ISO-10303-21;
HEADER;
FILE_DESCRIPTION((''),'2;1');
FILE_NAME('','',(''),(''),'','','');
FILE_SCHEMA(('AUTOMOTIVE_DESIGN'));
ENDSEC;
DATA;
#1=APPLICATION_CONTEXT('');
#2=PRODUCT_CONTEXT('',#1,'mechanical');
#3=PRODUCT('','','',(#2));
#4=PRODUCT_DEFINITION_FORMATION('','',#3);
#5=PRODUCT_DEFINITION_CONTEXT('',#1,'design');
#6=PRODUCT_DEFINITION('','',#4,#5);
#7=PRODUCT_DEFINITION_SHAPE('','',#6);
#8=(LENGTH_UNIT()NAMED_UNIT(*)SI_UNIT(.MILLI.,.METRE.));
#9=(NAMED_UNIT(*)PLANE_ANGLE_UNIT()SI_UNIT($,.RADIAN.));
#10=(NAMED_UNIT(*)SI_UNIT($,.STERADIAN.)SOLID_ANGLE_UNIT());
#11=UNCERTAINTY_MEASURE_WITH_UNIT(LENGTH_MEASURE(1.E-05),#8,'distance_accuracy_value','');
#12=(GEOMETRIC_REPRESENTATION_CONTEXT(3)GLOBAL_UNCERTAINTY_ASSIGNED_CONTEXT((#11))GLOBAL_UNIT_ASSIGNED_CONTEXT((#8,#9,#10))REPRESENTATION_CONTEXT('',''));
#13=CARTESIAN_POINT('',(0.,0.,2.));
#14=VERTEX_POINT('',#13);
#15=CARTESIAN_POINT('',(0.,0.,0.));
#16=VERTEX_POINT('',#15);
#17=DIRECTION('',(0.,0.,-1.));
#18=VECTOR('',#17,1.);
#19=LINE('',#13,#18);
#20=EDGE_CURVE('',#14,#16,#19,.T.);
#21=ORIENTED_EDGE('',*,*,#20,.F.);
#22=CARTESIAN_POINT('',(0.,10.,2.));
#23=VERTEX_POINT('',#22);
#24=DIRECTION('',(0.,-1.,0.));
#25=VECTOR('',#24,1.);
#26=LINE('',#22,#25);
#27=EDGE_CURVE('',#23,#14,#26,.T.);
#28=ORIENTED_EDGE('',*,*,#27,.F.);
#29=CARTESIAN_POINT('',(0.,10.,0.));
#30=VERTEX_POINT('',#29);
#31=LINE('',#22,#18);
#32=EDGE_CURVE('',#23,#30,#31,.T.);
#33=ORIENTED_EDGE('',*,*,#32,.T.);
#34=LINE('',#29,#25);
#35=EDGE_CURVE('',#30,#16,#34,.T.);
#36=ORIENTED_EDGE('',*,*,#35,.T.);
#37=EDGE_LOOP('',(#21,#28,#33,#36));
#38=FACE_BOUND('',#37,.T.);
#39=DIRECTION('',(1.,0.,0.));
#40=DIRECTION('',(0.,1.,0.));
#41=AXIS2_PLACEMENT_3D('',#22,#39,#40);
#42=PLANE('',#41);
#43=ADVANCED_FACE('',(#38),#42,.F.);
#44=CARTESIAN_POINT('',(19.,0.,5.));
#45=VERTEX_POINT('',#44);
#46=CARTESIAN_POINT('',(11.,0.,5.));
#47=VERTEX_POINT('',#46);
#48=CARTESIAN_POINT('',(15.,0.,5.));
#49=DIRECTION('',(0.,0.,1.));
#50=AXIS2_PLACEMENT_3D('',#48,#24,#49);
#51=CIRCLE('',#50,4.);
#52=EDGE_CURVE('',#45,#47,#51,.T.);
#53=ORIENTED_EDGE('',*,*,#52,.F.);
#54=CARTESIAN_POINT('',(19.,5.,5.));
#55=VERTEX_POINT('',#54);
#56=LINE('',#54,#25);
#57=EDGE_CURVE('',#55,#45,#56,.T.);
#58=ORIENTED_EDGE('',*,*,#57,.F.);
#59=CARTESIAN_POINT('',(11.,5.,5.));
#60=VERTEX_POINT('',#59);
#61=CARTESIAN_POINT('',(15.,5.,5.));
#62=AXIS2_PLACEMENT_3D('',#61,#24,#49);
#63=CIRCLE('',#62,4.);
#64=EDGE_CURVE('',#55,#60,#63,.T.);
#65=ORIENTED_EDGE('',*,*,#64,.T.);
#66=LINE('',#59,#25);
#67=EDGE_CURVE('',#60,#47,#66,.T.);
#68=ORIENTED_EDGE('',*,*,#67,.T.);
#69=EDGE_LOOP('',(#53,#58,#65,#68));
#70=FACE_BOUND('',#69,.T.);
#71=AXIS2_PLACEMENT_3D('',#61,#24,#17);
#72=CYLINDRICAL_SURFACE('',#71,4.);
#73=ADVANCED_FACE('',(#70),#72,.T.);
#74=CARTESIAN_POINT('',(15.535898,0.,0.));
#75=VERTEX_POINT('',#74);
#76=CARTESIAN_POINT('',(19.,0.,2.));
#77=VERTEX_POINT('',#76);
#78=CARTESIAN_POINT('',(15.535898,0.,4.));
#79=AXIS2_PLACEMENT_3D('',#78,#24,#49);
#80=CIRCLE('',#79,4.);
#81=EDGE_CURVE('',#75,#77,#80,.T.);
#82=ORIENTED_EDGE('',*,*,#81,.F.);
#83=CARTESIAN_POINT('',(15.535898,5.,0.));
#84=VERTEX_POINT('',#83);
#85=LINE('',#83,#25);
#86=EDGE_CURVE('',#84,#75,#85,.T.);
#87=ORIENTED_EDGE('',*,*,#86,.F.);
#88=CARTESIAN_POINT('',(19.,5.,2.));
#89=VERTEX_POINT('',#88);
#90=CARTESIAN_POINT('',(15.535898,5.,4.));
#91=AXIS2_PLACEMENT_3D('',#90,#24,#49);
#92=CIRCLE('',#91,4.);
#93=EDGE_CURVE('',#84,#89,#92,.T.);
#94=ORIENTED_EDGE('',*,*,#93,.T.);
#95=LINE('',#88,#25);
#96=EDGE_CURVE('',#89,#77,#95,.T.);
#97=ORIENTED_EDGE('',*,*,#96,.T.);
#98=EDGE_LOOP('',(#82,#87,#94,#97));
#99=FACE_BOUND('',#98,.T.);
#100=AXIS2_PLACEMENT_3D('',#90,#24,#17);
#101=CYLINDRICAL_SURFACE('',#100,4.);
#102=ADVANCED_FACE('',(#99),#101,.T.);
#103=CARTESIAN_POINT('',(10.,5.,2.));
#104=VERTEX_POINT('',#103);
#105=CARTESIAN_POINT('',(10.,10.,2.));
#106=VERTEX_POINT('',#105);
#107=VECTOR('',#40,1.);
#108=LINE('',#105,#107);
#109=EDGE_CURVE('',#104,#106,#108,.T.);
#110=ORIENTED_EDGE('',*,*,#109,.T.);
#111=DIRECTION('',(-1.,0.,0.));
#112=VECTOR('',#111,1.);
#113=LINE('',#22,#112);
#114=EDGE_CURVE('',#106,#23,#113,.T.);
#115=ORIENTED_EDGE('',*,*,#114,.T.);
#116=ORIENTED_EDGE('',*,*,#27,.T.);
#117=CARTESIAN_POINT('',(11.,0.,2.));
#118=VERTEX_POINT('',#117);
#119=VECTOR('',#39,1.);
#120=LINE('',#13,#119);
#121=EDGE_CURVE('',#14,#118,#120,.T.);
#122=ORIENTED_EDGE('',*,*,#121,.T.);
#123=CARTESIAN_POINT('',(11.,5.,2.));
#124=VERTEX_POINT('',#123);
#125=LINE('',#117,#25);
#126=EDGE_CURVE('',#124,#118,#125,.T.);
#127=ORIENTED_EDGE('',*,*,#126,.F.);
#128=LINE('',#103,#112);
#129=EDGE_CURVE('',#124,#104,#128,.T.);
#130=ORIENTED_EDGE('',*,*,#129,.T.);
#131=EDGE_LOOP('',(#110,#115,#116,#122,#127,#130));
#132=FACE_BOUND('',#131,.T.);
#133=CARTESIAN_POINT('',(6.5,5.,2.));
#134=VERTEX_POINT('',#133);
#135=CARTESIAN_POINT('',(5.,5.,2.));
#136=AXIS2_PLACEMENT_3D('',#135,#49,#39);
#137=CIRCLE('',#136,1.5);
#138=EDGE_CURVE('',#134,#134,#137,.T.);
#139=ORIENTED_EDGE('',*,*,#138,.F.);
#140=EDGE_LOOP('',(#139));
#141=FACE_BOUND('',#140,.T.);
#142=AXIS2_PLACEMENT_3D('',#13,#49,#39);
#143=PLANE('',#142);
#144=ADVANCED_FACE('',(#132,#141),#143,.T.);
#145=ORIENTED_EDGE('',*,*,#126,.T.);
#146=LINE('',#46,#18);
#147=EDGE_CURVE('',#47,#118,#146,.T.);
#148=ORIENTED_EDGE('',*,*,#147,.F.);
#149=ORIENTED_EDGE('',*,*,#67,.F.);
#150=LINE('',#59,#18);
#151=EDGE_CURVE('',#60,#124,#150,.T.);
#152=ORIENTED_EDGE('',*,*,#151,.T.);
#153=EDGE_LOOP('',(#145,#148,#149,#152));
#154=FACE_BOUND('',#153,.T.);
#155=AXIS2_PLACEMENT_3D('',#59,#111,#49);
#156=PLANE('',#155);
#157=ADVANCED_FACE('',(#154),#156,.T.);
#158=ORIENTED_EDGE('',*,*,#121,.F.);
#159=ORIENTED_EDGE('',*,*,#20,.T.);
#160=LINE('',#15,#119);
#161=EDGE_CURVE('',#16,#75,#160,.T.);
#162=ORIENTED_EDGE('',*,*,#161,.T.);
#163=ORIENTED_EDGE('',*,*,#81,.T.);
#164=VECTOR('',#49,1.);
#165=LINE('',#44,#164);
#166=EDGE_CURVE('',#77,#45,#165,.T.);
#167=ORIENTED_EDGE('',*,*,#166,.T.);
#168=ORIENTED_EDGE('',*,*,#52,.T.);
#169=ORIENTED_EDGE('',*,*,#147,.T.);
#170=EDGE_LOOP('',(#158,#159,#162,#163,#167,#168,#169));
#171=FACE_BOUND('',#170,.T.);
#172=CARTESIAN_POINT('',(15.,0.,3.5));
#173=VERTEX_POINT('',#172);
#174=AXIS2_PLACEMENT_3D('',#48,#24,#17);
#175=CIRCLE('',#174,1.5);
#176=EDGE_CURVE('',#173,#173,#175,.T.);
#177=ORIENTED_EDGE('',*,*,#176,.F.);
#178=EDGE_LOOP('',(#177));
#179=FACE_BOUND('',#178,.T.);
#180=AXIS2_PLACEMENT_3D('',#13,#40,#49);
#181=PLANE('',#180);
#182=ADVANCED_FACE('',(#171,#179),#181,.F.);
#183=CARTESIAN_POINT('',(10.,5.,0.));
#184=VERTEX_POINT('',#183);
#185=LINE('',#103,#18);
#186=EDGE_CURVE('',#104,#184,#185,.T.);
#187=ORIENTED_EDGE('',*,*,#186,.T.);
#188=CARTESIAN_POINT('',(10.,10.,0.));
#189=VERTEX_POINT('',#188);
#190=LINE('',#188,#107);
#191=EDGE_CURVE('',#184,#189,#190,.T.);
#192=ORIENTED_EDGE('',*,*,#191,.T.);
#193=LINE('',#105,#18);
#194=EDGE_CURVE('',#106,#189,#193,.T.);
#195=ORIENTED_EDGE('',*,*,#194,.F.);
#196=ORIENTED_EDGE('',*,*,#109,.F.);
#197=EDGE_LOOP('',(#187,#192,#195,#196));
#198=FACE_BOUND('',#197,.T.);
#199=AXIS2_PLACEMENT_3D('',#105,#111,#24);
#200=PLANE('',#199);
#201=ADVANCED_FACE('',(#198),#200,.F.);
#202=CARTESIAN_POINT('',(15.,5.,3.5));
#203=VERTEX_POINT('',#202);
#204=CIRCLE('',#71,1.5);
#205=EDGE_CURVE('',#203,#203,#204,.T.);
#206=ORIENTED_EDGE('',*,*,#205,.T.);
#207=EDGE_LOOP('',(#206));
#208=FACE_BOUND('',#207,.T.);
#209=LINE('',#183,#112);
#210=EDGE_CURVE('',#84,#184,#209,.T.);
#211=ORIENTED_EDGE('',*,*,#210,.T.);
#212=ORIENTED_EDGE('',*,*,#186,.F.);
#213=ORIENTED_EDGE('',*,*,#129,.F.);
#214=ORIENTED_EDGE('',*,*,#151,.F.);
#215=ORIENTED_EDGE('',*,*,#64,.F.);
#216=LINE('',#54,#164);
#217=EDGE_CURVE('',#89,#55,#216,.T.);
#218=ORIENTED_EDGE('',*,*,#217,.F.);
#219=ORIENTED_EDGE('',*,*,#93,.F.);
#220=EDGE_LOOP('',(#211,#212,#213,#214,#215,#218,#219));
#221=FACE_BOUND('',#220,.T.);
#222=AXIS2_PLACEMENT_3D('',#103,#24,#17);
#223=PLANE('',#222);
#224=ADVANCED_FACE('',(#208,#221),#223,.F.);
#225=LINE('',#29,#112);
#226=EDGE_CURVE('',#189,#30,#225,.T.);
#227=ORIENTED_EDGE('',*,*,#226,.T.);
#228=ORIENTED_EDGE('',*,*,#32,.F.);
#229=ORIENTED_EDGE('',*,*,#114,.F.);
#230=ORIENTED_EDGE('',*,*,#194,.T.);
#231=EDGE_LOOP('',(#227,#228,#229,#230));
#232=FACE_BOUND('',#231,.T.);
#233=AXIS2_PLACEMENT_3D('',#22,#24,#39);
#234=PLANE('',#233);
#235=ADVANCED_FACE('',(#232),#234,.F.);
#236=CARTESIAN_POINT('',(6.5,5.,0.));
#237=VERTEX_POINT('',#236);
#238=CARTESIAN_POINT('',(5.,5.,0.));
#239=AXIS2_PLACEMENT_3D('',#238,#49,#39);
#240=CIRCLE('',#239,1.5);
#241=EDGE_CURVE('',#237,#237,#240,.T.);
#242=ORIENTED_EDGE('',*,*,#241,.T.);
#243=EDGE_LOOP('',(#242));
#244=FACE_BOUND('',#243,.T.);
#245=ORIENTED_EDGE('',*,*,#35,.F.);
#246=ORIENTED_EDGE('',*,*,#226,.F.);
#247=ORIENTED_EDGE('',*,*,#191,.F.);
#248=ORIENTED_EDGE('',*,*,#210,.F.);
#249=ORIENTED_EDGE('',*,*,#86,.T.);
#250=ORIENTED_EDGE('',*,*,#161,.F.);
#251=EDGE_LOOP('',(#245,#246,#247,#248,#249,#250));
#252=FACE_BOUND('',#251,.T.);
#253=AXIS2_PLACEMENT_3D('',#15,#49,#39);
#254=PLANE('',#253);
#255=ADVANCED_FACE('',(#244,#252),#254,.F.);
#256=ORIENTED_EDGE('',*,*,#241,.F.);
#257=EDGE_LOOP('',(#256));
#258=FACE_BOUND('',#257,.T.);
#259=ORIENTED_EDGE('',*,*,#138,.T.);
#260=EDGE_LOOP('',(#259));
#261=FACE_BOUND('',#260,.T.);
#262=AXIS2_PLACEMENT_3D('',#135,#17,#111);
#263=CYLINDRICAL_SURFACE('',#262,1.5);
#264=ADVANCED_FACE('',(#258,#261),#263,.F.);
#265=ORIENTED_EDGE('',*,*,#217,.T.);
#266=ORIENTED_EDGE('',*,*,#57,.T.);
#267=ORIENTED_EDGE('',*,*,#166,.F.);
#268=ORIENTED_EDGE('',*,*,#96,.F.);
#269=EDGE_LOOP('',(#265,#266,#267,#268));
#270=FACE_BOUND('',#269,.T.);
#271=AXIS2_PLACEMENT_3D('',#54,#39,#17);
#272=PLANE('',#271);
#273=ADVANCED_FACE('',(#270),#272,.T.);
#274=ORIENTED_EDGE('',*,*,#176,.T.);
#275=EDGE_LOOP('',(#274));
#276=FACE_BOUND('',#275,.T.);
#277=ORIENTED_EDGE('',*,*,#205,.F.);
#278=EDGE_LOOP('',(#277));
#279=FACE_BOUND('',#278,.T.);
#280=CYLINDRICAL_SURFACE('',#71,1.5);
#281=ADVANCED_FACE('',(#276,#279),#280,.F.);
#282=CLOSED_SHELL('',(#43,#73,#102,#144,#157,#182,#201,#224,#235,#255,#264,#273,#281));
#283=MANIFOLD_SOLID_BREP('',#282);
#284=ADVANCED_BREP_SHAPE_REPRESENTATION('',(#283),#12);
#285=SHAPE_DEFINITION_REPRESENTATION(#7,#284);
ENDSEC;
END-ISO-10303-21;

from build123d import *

# Parameters (mm, degrees)
ESQUISSE1_R        = 1.5
BOSS_EXTRU_2_DEPTH = 2
ESQUISSE4_R        = 1.5
BOSS_EXTRU_3_DEPTH = 5


with BuildPart() as part:
    # Esquisse1 → Boss.-Extru.2 (new body)
    with BuildSketch(Plane.XY):
        Polygon((0, 0), (15, 0), (15, 5), (10, 5), (10, 10), (0, 10), align=None)
        with Locations((5, 5)):
            Circle(ESQUISSE1_R, mode=Mode.SUBTRACT)
    extrude(amount=BOSS_EXTRU_2_DEPTH)

    # Esquisse4 → Boss.-Extru.3 (add)
    with BuildSketch(Plane.XZ):
        with BuildLine():
            Line((11, 5), (11, 0))
            Line((11, 0), (15.535898385, 0))
            ThreePointArc((15.535898385, 0), (17.535898385, 0.535898385), (19, 2))
            Line((19, 2), (19, 5))
            ThreePointArc((19, 5), (15, 9), (11, 5))
        make_face()
        with Locations((15, 5)):
            Circle(ESQUISSE4_R, mode=Mode.SUBTRACT)
    extrude(amount=-BOSS_EXTRU_3_DEPTH)


solid = part.part
